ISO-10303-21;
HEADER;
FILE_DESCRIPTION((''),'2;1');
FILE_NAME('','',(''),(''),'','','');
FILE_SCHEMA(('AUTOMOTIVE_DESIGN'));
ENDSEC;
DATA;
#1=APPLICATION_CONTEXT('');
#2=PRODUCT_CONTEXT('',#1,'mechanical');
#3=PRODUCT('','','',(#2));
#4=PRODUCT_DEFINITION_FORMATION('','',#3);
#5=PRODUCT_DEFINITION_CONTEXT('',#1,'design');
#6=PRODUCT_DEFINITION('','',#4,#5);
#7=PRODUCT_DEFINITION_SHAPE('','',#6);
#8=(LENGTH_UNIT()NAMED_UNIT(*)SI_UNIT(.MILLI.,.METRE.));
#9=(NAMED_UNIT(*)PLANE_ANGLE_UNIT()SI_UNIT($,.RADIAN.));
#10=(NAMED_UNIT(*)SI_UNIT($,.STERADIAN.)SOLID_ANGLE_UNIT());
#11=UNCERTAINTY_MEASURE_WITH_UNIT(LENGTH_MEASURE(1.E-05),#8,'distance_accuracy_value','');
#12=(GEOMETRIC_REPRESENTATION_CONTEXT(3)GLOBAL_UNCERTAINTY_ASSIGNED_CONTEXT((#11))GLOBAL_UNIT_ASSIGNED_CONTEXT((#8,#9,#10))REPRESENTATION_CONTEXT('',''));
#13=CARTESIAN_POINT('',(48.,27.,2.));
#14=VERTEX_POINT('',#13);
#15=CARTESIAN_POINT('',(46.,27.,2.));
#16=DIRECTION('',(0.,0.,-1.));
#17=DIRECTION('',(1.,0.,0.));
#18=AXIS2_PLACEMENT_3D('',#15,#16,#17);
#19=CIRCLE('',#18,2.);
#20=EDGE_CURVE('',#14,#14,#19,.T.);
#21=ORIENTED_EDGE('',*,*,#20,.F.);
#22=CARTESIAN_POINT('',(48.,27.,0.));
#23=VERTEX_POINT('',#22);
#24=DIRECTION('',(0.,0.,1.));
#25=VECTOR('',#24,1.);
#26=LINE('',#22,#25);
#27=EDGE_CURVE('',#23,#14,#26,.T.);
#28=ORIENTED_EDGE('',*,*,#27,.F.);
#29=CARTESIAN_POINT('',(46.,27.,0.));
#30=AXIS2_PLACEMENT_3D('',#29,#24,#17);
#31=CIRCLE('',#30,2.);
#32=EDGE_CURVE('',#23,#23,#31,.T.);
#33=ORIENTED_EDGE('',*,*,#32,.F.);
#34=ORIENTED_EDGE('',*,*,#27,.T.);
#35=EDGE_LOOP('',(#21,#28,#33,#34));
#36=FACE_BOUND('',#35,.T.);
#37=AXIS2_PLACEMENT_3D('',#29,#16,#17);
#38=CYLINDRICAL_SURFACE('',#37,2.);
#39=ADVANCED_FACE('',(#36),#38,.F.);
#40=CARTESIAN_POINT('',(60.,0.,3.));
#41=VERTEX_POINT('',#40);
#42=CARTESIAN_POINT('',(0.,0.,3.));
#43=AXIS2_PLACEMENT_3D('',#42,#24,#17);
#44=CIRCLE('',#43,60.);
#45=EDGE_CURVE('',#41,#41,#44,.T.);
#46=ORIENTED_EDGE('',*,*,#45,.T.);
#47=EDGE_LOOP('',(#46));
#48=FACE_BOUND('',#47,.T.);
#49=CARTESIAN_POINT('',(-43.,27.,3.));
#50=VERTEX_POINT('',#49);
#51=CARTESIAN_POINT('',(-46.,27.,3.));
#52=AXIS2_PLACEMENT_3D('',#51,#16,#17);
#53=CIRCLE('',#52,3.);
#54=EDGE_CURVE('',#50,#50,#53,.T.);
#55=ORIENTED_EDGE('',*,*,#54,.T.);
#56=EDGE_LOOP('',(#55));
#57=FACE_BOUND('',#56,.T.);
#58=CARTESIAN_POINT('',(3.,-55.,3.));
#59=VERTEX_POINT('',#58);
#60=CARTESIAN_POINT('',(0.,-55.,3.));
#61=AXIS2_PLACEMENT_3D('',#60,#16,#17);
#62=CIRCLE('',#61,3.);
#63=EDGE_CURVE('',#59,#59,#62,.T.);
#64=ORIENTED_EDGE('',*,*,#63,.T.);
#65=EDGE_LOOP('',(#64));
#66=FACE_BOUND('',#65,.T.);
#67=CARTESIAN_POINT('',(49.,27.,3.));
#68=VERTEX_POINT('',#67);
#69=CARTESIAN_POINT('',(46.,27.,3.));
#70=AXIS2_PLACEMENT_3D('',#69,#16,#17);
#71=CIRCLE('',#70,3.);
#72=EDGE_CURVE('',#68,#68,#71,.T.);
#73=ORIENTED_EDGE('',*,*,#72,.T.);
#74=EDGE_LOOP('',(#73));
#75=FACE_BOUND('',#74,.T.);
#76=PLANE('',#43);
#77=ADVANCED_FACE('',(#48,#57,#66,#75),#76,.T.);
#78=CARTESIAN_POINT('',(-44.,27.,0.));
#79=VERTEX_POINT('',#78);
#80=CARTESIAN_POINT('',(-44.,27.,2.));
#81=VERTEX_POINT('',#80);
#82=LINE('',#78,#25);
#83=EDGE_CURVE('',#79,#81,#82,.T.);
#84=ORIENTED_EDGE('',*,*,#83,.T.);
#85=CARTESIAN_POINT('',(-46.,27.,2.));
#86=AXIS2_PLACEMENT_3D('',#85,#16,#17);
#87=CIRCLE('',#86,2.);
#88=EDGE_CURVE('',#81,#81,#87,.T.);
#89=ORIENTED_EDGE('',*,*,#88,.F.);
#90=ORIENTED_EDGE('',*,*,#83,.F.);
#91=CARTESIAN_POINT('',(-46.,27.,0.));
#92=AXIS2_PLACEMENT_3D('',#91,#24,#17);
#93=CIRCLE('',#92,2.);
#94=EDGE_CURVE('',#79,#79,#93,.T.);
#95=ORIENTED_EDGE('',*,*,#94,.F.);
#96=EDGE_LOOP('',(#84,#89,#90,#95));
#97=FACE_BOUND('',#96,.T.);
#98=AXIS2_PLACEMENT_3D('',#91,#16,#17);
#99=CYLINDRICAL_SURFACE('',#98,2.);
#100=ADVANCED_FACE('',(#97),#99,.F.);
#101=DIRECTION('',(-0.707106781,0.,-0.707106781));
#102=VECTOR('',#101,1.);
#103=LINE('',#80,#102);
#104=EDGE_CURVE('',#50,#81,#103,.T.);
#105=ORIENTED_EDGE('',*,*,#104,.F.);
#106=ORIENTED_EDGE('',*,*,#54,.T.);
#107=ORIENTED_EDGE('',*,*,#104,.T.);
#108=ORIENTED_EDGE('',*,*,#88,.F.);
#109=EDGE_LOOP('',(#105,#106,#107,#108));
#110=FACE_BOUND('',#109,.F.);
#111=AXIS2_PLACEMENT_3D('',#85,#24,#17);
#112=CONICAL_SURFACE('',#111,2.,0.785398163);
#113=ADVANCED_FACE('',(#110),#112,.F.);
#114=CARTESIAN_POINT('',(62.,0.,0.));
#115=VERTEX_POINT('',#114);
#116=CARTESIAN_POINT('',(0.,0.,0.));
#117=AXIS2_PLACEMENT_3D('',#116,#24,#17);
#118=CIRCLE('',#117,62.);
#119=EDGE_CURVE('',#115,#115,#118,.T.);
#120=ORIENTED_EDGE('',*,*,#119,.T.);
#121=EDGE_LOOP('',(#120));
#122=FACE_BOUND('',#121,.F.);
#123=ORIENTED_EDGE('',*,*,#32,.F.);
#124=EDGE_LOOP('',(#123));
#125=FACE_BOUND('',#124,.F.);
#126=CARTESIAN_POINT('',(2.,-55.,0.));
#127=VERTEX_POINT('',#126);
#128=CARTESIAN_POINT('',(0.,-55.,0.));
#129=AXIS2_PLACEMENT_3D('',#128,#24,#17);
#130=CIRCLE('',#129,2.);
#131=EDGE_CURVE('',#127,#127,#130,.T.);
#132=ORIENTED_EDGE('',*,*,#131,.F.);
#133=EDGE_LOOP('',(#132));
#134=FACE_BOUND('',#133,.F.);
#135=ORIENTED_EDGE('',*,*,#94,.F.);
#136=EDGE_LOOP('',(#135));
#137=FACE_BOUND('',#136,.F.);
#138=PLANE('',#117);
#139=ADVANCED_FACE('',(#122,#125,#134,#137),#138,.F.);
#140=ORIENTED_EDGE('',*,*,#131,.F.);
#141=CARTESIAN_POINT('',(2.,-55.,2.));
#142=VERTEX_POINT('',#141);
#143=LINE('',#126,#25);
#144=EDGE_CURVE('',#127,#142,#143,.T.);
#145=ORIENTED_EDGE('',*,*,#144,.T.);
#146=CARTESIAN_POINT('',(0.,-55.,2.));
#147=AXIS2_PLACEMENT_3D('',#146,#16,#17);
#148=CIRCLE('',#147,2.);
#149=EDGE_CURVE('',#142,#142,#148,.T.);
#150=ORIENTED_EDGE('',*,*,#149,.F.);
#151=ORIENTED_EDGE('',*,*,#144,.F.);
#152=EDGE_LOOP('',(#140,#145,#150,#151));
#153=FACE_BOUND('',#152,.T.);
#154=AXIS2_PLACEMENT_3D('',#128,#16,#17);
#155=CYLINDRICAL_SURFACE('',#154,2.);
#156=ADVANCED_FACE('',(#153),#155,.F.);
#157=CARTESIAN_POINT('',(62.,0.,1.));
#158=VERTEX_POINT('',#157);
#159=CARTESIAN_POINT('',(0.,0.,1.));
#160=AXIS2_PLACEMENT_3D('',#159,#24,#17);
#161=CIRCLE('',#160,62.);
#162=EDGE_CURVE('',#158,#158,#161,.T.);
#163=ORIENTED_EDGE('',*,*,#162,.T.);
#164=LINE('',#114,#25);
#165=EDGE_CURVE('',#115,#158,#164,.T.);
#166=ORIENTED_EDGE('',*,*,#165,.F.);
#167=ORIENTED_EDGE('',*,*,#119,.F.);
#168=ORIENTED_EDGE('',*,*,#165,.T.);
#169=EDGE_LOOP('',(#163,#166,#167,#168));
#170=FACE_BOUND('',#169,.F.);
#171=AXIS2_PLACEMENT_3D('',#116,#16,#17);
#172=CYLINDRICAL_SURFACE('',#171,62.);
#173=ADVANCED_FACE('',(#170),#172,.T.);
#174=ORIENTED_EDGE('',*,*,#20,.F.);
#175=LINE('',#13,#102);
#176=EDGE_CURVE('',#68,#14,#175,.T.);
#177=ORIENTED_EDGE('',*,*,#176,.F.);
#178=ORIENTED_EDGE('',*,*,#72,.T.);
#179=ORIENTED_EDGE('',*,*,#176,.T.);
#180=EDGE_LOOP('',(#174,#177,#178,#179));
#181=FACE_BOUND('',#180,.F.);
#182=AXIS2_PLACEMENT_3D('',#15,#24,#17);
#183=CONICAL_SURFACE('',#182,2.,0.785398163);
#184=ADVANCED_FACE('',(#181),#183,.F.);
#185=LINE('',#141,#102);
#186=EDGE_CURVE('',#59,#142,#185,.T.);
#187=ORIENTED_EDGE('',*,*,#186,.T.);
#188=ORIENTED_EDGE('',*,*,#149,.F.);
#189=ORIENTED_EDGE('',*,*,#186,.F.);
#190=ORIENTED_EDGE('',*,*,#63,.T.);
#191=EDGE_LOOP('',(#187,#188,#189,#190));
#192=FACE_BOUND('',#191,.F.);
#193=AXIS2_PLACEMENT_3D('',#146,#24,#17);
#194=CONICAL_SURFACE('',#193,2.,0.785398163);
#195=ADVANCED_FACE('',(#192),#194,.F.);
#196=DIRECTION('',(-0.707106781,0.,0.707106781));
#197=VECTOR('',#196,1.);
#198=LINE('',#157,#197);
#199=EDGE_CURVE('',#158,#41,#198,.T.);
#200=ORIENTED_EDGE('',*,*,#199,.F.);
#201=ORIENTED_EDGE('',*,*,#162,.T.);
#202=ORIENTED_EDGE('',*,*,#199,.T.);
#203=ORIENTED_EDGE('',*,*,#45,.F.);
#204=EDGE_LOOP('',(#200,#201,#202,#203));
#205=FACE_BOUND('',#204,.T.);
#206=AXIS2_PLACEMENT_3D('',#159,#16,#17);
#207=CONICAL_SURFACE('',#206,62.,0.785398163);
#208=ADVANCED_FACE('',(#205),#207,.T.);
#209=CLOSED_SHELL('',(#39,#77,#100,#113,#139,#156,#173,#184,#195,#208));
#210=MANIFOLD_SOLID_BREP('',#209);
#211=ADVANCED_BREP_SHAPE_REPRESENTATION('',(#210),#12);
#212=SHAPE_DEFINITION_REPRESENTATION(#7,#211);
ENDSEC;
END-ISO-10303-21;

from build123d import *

# Parameters (mm, degrees)
CYLINDER003_R     = 2
CYLINDER003_DEPTH = 10
CYLINDER002_R     = 2
CYLINDER002_DEPTH = 10
CYLINDER001_R     = 2
CYLINDER001_DEPTH = 10
CYLINDER_R        = 62
CYLINDER_DEPTH    = 3
CHAMFER_SIZE      = 2
CHAMFER001_SIZE   = 1
CHAMFER002_SIZE   = 1
CHAMFER003_SIZE   = 1


with BuildPart() as cylinder003:
    # Cylinder003 → Cylinder003 (new body)
    with BuildSketch(Plane(origin=(-46, 27, 0), x_dir=(1, 0, 0), z_dir=(0, 0, 1))):
        Circle(CYLINDER003_R)
    extrude(amount=CYLINDER003_DEPTH)


with BuildPart() as cylinder002:
    # Cylinder002 → Cylinder002 (new body)
    with BuildSketch(Plane(origin=(46, 27, 0), x_dir=(1, 0, 0), z_dir=(0, 0, 1))):
        Circle(CYLINDER002_R)
    extrude(amount=CYLINDER002_DEPTH)


with BuildPart() as cylinder001:
    # Cylinder001 → Cylinder001 (new body)
    with BuildSketch(Plane(origin=(0, -55, 0), x_dir=(1, 0, 0), z_dir=(0, 0, 1))):
        Circle(CYLINDER001_R)
    extrude(amount=CYLINDER001_DEPTH)


with BuildPart() as cover_plate:
    # Cylinder → Cylinder (new body)
    with BuildSketch(Plane.XY):
        Circle(CYLINDER_R)
    extrude(amount=CYLINDER_DEPTH)

    # Cut: cut Cylinder001
    add(cylinder001.part, mode=Mode.SUBTRACT)

    # Cut001: cut Cylinder002
    add(cylinder002.part, mode=Mode.SUBTRACT)

    # Cut002: cut Cylinder003
    add(cylinder003.part, mode=Mode.SUBTRACT)

    # Chamfer
    chamfer_edges = [cover_plate.edges().sort_by_distance(p)[0] for p in [
        (-62, 0, 3),
    ]]
    chamfer(chamfer_edges, length=CHAMFER_SIZE)

    # Chamfer001
    chamfer001_edges = [cover_plate.edges().sort_by_distance(p)[0] for p in [
        (-48, 27, 3),
    ]]
    chamfer(chamfer001_edges, length=CHAMFER001_SIZE)

    # Chamfer002
    chamfer002_edges = [cover_plate.edges().sort_by_distance(p)[0] for p in [
        (44, 27, 3),
    ]]
    chamfer(chamfer002_edges, length=CHAMFER002_SIZE)

    # Chamfer003
    chamfer003_edges = [cover_plate.edges().sort_by_distance(p)[0] for p in [
        (-2, -55, 3),
    ]]
    chamfer(chamfer003_edges, length=CHAMFER003_SIZE)


solid = cover_plate.part
